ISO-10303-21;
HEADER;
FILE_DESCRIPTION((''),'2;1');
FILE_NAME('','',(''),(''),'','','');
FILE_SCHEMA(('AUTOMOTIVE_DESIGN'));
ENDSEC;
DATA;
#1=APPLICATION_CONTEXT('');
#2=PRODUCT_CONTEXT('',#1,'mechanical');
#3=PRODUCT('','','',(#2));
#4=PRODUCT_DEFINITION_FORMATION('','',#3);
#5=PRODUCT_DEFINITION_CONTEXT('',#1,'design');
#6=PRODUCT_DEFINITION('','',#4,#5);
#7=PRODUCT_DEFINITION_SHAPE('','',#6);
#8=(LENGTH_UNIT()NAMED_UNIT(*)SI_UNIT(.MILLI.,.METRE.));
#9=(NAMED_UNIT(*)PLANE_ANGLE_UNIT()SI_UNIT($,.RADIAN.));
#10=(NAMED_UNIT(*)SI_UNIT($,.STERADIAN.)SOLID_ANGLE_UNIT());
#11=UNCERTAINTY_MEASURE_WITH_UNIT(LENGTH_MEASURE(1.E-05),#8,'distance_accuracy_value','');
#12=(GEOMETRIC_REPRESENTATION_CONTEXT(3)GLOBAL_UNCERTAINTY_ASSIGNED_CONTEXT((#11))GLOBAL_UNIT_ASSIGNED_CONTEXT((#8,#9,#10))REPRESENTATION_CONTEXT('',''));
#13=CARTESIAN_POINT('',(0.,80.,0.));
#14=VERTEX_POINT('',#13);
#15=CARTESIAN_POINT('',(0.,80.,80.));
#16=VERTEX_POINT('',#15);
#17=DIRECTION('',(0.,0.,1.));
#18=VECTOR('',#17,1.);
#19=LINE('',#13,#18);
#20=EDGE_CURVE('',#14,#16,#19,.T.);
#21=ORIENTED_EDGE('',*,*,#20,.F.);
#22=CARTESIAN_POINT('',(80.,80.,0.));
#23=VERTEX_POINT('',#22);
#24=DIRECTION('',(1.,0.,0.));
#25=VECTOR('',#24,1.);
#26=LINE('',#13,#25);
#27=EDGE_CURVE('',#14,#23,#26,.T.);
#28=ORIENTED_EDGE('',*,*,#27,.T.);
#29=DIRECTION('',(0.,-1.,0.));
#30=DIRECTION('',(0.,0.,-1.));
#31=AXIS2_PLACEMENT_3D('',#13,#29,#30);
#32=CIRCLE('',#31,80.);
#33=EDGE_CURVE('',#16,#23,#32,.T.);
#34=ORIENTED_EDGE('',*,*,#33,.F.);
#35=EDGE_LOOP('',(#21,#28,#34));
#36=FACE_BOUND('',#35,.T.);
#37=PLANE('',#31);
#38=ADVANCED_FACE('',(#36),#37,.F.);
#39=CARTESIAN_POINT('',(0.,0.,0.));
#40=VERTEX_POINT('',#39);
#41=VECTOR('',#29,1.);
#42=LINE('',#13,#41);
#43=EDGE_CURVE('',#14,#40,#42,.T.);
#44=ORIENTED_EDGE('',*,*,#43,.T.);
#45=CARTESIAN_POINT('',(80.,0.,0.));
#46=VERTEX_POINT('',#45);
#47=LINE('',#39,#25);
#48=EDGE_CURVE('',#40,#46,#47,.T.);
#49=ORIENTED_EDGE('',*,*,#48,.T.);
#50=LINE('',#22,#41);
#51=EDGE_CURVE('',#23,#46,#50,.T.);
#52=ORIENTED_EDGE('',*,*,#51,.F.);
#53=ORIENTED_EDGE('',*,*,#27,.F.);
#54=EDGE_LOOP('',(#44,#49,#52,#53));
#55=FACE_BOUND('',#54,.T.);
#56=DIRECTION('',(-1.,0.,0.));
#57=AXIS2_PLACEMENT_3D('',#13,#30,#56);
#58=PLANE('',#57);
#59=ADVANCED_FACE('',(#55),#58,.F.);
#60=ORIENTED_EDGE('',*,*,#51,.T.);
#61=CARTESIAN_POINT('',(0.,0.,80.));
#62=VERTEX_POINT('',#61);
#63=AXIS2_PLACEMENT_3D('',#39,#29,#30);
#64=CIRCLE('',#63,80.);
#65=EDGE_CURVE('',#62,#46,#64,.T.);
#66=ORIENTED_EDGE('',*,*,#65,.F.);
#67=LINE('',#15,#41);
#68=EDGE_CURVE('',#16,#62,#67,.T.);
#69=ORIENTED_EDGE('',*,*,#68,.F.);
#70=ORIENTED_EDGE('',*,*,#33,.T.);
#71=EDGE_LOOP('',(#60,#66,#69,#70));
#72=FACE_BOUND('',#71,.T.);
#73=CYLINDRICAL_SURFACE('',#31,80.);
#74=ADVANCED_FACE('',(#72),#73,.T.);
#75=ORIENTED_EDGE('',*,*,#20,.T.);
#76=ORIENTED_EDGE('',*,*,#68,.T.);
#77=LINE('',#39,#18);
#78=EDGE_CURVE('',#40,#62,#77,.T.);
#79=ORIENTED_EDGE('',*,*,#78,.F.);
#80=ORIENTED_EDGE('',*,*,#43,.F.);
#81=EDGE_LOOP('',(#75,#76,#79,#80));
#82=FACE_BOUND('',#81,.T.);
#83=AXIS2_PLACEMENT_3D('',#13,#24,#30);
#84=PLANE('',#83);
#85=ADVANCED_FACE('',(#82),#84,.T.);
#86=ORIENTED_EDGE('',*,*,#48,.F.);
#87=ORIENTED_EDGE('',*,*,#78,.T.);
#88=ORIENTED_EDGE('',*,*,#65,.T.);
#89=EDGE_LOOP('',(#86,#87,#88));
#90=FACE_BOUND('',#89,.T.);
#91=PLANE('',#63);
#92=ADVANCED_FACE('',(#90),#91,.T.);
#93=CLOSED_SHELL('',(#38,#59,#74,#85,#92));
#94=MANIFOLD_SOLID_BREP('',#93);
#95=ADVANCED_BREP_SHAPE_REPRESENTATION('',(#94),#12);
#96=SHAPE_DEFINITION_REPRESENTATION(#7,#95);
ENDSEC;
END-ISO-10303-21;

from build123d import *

# Parameters (mm, degrees)
BOSS_EXTRUDE1_DEPTH = 80


with BuildPart() as part:
    # Sketch1 → Boss-Extrude1 (new body)
    with BuildSketch(Plane(origin=(0, 0, 0), x_dir=(1, 0, 0), z_dir=(0, 1, 0))):
        with BuildLine():
            Line((0, 0), (80, 0))
            ThreePointArc((80, 0), (-56.568542495, 56.568542495), (0, -80))
            Line((0, -80), (0, 0))
        make_face()
    extrude(amount=BOSS_EXTRUDE1_DEPTH)


solid = part.part
